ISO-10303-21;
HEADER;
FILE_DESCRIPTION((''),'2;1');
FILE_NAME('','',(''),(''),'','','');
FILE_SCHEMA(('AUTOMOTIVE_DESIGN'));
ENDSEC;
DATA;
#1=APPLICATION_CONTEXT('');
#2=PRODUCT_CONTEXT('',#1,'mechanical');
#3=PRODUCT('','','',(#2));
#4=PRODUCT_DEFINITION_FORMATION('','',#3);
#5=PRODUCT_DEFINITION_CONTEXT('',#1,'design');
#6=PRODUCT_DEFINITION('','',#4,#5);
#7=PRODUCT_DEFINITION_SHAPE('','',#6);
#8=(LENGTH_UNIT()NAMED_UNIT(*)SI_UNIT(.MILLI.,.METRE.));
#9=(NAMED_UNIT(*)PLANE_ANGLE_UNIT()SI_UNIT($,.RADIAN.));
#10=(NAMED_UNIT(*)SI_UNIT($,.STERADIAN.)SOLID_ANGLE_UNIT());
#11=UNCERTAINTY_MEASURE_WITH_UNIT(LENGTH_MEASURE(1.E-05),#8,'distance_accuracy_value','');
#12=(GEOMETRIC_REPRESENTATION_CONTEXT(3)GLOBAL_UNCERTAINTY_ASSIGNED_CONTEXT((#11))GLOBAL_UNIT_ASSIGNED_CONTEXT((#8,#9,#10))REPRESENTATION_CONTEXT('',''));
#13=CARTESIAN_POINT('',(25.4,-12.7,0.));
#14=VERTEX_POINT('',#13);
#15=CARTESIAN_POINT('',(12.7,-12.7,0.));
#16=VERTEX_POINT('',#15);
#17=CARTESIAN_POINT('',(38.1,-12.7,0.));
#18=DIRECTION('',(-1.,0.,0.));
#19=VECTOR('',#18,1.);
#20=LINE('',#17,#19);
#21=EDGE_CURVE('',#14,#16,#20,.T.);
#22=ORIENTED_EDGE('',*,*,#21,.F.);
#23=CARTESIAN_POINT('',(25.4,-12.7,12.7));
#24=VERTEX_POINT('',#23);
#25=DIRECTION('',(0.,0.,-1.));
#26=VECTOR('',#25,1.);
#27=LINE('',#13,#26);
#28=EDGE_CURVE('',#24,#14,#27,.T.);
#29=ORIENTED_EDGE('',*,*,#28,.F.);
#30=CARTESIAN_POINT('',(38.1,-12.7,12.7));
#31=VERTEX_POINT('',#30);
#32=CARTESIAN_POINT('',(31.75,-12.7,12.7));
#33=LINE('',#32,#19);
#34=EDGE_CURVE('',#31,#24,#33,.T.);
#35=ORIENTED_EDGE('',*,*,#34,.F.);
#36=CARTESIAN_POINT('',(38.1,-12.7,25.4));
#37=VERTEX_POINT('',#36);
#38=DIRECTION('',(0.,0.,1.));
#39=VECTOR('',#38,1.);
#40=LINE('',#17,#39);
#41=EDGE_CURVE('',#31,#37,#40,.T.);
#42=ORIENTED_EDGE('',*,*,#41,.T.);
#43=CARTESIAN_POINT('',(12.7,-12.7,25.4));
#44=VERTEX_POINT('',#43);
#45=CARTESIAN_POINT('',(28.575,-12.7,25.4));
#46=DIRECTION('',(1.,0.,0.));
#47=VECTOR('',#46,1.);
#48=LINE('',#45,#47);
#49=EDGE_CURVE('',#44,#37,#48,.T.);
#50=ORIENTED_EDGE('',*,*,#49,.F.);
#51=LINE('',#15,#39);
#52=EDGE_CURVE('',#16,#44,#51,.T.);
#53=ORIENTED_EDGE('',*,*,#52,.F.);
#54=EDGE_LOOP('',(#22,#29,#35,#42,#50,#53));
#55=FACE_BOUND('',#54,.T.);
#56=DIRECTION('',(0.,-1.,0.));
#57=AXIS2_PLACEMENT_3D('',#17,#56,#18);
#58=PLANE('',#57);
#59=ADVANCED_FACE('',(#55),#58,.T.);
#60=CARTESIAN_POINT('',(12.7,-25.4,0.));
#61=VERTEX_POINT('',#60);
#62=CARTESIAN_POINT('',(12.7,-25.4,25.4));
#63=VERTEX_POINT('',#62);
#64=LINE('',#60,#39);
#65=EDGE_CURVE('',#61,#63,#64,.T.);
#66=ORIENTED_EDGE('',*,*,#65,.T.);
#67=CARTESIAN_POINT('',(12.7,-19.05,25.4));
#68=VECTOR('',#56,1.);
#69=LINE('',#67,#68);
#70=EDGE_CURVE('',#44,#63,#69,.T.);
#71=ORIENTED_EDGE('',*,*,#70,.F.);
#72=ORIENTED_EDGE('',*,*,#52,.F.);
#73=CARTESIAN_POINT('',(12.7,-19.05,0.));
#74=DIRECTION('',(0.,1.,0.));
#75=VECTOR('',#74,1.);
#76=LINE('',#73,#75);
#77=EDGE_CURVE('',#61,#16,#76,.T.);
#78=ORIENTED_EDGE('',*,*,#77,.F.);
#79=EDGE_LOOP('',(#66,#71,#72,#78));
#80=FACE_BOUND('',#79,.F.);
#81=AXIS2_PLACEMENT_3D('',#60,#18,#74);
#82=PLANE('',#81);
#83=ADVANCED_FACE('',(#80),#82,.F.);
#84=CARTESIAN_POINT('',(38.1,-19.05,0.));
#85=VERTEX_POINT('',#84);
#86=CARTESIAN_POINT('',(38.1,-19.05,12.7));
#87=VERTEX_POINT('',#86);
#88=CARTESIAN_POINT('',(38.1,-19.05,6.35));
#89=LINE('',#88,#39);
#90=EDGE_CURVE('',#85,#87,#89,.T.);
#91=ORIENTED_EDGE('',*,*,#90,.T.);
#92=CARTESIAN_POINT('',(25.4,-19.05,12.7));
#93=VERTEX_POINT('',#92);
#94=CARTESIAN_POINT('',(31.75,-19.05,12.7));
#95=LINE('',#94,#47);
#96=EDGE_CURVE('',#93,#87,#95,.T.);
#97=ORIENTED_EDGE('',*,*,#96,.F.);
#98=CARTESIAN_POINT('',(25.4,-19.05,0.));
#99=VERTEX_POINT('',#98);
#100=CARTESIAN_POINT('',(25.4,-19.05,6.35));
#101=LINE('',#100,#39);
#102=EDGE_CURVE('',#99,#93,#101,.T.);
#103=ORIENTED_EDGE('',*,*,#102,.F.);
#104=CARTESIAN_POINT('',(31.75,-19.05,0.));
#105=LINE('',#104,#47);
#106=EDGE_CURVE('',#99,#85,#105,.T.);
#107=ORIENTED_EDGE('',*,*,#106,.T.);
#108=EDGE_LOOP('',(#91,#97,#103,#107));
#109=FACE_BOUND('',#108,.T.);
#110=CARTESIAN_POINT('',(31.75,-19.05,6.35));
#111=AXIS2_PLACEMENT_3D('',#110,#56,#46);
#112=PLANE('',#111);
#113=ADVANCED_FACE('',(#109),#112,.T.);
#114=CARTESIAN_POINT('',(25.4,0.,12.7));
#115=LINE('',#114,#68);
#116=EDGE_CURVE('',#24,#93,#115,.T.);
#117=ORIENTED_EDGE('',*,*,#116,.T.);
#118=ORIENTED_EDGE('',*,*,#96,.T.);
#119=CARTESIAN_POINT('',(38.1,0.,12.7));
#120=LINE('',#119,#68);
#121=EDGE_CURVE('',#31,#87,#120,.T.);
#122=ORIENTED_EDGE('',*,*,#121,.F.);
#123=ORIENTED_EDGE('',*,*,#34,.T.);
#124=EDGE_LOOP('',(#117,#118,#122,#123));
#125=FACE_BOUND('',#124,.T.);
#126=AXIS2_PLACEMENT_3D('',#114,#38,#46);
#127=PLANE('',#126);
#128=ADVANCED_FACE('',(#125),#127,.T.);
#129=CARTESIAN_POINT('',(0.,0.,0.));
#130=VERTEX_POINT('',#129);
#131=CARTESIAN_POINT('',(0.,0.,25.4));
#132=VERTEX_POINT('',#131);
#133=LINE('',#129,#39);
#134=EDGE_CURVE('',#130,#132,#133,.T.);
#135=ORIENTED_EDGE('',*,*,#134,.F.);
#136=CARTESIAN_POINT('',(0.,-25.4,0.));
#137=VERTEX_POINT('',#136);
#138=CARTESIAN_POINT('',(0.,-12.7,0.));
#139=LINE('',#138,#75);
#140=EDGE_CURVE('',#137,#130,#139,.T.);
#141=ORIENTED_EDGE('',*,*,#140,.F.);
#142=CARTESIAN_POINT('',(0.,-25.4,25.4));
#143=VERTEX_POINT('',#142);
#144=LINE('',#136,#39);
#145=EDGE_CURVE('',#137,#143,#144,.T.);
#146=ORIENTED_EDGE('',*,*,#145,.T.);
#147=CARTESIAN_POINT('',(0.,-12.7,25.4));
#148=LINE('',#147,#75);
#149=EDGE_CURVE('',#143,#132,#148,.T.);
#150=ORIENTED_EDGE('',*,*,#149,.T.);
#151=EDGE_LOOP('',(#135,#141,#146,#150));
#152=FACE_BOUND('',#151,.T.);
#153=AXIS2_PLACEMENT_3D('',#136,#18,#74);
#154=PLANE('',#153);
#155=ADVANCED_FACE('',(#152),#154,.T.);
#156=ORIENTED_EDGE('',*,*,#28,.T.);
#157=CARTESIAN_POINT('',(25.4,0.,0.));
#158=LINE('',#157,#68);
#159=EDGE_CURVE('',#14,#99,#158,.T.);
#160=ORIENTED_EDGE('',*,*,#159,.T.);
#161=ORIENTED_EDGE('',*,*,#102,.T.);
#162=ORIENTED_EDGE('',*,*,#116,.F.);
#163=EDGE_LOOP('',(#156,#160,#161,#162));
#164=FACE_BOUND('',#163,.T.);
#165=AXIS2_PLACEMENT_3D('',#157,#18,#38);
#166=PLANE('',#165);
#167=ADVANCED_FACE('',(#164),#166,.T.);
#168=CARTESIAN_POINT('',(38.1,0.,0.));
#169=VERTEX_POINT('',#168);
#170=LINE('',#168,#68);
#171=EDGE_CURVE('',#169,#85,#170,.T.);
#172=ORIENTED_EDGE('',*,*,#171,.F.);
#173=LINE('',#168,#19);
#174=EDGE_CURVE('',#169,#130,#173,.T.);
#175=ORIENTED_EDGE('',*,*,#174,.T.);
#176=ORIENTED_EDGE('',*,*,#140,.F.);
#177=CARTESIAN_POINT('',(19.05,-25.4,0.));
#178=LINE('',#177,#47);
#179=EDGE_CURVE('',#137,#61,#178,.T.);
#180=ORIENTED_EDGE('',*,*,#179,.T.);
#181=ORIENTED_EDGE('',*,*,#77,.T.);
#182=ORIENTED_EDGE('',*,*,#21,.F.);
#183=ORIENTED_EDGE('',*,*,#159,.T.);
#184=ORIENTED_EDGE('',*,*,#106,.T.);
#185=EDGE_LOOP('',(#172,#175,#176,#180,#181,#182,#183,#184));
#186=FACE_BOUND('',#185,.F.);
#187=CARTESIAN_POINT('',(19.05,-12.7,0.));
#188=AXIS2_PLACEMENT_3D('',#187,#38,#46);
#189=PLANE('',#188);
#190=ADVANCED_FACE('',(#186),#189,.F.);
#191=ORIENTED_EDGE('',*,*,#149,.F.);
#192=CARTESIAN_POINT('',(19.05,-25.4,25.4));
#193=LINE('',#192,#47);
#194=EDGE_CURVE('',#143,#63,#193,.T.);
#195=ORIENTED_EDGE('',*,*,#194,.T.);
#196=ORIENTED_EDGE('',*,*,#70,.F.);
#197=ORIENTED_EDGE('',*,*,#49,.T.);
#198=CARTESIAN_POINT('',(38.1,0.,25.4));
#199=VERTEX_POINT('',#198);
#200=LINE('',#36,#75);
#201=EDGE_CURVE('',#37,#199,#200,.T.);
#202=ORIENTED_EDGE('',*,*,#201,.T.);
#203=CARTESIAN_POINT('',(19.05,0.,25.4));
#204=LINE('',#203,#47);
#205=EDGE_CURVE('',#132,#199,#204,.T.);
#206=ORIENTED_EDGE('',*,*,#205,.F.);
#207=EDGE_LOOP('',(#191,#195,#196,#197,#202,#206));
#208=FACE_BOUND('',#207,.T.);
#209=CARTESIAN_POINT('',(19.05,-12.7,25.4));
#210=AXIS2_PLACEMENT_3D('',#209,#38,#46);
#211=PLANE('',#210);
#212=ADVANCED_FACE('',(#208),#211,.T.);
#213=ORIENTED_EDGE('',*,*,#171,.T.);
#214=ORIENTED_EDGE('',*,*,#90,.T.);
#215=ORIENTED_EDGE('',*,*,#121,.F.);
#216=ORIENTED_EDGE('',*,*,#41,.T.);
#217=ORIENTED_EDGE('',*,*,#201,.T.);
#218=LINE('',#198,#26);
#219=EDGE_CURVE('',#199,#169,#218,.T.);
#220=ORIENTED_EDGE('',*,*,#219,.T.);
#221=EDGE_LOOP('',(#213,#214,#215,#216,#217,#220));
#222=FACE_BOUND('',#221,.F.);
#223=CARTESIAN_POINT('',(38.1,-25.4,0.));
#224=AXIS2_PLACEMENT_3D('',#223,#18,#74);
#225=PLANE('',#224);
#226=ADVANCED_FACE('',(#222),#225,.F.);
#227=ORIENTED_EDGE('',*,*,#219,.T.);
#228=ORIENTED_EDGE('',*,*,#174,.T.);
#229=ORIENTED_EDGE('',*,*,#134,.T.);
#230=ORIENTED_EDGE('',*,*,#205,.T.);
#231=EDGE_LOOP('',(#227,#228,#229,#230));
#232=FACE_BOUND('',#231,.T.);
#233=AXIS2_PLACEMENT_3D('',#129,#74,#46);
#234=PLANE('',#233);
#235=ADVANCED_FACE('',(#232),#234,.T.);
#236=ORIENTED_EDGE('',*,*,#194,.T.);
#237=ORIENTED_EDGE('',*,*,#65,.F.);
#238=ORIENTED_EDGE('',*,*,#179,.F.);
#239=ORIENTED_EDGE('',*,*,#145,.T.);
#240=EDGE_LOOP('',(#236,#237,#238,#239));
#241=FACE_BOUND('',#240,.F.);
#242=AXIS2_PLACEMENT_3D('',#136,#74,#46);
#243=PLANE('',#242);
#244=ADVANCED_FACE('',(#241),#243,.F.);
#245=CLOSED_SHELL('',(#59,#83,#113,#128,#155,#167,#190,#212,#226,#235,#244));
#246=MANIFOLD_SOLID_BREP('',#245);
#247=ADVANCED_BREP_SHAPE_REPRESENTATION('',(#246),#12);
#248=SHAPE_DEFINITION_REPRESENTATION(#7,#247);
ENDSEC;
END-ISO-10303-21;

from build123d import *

# Parameters (mm, degrees)
F0_W     = 38.1
F0_H     = 25.4
F1_DEPTH = 25.4
F2_W     = 10.7522453129
F2_H     = 12.7
F2_W_2   = 14.6477546871
F3_DEPTH = 25.401
F4_W     = 12.7
F4_H     = 12.7
F5_DEPTH = 19.05


with BuildPart() as f1:
    # F0 (on Top) → F1 (new body)
    with BuildSketch(Plane.XY):
        with Locations((19.05, -12.7)):
            Rectangle(F0_W, F0_H)
    extrude(amount=F1_DEPTH)

    # F2 (on Top) → F3 (cut, through all)
    with BuildSketch(Plane.XY):
        with Locations((32.7238773435, -19.05)):
            Rectangle(F2_W, F2_H)
        with Locations((20.0238773435, -19.05)):
            Rectangle(F2_W_2, F2_H)
    extrude(amount=F3_DEPTH, mode=Mode.SUBTRACT)

    # F4 (on Front) → F5 (join)
    with BuildSketch(Plane.XZ):
        with Locations((31.75, 6.35)):
            Rectangle(F4_W, F4_H)
    extrude(amount=F5_DEPTH)


solid = f1.part
